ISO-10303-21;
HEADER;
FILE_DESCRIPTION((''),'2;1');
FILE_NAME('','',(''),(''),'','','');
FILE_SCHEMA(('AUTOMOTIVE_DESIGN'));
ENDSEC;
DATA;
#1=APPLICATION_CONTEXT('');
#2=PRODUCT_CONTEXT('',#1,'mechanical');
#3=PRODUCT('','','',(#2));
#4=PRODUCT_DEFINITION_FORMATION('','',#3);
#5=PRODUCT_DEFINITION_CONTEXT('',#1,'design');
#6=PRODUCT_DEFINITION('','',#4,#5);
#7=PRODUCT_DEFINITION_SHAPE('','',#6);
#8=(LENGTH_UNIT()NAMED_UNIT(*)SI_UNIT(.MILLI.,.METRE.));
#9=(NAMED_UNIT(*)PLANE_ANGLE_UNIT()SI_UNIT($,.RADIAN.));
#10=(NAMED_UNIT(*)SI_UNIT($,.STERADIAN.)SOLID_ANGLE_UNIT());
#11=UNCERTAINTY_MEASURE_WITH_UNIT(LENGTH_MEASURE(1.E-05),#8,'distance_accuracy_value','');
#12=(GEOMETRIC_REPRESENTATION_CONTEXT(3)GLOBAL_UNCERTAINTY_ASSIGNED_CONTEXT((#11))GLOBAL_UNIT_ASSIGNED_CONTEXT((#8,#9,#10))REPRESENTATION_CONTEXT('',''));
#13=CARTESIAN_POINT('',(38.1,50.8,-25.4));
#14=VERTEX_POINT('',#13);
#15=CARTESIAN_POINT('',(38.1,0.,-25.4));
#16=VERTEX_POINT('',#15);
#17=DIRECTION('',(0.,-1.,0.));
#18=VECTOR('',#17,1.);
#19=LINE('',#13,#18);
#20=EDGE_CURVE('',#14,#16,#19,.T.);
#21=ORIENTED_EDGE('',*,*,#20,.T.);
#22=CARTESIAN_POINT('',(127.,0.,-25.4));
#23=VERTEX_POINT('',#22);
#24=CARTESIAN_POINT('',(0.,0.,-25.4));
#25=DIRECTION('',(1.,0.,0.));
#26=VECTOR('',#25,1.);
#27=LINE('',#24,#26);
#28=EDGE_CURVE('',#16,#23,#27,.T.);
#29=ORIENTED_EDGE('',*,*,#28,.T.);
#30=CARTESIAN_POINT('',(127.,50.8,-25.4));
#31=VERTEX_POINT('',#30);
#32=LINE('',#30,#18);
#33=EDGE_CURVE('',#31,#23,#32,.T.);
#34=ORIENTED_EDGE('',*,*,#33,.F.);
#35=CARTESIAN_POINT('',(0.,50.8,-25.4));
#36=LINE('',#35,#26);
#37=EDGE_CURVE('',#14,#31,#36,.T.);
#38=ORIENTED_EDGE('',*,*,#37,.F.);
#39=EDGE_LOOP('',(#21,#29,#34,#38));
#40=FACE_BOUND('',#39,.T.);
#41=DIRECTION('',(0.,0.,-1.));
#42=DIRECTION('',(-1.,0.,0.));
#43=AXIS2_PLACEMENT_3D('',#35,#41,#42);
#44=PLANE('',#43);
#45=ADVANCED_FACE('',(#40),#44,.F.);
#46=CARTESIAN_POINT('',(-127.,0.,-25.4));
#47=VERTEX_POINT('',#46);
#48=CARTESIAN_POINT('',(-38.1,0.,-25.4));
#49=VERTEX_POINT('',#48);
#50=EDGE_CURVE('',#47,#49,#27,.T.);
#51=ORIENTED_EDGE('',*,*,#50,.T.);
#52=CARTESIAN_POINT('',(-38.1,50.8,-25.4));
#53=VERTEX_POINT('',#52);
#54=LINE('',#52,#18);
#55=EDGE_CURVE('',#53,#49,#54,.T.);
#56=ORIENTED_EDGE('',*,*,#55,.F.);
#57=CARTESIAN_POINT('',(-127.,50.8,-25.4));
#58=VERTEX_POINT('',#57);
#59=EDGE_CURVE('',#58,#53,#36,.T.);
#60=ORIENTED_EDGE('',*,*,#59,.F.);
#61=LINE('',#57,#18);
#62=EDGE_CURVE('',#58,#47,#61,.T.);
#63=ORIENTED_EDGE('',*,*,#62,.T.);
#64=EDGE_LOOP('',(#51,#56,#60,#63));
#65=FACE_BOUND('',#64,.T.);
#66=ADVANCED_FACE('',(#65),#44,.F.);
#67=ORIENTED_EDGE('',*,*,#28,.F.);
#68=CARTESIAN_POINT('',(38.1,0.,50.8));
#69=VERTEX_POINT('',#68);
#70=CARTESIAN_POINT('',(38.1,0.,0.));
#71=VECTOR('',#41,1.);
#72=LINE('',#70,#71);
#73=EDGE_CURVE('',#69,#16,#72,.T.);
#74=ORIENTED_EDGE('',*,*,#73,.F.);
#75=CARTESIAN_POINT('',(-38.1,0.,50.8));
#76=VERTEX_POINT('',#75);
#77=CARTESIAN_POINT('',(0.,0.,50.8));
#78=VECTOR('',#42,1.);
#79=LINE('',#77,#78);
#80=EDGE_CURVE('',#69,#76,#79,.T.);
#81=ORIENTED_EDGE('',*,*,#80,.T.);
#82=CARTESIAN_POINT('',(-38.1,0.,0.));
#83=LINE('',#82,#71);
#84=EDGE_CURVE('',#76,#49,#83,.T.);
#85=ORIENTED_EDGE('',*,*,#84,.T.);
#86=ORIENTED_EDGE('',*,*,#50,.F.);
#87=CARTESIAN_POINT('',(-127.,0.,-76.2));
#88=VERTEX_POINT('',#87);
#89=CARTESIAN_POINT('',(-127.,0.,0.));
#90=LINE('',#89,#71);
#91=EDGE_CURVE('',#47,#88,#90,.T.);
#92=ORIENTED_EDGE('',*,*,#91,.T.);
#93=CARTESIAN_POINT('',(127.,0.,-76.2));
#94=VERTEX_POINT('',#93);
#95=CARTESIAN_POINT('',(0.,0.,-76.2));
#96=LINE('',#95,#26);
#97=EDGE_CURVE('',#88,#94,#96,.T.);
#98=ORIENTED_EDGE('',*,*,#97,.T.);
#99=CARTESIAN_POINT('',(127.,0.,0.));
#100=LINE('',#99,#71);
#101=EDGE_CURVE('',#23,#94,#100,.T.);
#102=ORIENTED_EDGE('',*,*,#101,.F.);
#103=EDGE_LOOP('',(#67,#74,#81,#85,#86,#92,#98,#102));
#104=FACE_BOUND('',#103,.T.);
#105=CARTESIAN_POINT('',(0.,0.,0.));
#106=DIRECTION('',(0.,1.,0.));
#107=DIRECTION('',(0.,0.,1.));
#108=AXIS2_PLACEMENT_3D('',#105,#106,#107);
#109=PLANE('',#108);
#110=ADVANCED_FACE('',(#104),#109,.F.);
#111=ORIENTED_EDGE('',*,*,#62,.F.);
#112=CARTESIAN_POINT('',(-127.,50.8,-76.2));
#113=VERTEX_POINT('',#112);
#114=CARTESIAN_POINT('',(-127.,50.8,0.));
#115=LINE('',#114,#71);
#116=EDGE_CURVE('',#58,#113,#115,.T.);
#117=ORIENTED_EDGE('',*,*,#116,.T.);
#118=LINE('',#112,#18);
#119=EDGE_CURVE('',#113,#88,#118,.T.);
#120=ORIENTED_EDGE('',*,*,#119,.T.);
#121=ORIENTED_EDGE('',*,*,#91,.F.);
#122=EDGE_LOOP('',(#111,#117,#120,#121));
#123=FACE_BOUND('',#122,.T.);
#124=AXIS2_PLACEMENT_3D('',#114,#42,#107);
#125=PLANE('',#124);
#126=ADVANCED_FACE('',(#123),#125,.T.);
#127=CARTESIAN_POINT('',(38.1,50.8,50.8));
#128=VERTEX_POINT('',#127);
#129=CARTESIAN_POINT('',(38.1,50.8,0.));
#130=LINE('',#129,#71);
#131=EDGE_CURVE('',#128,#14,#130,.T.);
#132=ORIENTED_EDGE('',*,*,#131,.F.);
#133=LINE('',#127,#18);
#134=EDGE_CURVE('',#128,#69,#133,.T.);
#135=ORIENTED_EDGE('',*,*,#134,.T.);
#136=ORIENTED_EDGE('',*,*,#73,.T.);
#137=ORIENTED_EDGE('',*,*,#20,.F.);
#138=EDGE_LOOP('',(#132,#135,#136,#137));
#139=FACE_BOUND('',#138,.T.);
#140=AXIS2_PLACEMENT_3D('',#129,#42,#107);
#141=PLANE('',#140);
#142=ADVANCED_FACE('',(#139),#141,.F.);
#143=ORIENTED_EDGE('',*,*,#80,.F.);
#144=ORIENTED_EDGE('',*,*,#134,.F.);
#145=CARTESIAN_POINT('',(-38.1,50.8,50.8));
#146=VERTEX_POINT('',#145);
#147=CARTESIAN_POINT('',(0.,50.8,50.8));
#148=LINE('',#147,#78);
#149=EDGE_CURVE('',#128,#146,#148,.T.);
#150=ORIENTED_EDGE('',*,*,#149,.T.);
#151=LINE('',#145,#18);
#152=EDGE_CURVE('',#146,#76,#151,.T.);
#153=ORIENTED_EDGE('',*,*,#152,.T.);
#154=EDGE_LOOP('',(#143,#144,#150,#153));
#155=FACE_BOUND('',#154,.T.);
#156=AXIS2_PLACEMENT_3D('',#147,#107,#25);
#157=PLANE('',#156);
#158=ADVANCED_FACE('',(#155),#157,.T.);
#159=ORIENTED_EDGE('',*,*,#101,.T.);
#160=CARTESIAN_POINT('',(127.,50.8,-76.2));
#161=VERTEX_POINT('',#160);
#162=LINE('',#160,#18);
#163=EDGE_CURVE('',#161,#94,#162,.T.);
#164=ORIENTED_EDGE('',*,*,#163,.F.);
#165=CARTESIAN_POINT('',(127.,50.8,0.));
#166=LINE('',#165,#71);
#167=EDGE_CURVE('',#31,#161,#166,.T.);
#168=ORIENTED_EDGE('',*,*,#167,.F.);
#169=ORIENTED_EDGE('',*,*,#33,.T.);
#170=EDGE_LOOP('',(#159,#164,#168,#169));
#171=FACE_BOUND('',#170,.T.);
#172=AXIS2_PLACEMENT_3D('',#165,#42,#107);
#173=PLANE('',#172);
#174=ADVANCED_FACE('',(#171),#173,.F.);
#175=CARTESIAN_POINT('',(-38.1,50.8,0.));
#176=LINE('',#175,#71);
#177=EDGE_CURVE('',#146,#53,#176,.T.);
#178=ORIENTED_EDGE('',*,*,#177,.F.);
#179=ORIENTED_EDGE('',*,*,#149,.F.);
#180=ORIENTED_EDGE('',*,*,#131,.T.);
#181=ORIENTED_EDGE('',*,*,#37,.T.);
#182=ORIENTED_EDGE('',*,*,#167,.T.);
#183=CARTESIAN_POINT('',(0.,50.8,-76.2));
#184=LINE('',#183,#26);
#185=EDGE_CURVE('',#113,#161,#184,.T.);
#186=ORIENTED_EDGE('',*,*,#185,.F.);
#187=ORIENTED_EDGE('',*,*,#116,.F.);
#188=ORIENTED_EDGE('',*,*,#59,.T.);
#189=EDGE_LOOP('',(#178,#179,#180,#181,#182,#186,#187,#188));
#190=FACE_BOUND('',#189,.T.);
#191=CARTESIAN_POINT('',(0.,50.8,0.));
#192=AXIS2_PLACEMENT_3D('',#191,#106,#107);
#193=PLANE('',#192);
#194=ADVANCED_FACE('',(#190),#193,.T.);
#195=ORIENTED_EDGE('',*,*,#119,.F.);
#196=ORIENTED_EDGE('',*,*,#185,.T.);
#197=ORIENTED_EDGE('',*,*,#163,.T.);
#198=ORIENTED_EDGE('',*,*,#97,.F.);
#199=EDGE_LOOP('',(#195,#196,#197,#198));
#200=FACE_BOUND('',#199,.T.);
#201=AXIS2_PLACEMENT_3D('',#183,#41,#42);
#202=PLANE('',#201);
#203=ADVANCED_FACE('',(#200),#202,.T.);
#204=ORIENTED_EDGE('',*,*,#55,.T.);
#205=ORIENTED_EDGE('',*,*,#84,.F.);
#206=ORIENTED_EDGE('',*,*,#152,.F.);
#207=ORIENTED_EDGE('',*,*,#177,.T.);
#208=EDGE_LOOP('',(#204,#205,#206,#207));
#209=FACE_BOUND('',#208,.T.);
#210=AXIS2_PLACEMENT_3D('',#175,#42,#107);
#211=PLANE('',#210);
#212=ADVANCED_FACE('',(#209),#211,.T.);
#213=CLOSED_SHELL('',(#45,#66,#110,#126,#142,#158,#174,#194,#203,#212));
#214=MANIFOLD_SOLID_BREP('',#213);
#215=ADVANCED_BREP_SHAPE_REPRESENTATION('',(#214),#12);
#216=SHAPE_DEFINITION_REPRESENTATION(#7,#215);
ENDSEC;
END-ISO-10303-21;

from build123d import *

# Parameters (mm, degrees)
SKETCH1_W           = 76.2
SKETCH1_H           = 76.2
SKETCH1_H_2         = 25.4
BOSS_EXTRUDE1_DEPTH = 50.8


with BuildPart() as part:
    # Sketch1 → Boss-Extrude1 (new body)
    with BuildSketch(Plane(origin=(0, 0, 0), x_dir=(1, 0, 0), z_dir=(0, 1, 0))):
        Polygon((38.1, 50.8), (38.1, 25.4), (127, 25.4), (127, 76.2), (-127, 76.2), (-127, 25.4), (-38.1, 25.4), (-38.1, 50.8), align=None)
        with Locations((0, -12.7)):
            Rectangle(SKETCH1_W, SKETCH1_H)
        with Locations((0, 38.1)):
            Rectangle(SKETCH1_W, SKETCH1_H_2)
    extrude(amount=BOSS_EXTRUDE1_DEPTH)


solid = part.part
